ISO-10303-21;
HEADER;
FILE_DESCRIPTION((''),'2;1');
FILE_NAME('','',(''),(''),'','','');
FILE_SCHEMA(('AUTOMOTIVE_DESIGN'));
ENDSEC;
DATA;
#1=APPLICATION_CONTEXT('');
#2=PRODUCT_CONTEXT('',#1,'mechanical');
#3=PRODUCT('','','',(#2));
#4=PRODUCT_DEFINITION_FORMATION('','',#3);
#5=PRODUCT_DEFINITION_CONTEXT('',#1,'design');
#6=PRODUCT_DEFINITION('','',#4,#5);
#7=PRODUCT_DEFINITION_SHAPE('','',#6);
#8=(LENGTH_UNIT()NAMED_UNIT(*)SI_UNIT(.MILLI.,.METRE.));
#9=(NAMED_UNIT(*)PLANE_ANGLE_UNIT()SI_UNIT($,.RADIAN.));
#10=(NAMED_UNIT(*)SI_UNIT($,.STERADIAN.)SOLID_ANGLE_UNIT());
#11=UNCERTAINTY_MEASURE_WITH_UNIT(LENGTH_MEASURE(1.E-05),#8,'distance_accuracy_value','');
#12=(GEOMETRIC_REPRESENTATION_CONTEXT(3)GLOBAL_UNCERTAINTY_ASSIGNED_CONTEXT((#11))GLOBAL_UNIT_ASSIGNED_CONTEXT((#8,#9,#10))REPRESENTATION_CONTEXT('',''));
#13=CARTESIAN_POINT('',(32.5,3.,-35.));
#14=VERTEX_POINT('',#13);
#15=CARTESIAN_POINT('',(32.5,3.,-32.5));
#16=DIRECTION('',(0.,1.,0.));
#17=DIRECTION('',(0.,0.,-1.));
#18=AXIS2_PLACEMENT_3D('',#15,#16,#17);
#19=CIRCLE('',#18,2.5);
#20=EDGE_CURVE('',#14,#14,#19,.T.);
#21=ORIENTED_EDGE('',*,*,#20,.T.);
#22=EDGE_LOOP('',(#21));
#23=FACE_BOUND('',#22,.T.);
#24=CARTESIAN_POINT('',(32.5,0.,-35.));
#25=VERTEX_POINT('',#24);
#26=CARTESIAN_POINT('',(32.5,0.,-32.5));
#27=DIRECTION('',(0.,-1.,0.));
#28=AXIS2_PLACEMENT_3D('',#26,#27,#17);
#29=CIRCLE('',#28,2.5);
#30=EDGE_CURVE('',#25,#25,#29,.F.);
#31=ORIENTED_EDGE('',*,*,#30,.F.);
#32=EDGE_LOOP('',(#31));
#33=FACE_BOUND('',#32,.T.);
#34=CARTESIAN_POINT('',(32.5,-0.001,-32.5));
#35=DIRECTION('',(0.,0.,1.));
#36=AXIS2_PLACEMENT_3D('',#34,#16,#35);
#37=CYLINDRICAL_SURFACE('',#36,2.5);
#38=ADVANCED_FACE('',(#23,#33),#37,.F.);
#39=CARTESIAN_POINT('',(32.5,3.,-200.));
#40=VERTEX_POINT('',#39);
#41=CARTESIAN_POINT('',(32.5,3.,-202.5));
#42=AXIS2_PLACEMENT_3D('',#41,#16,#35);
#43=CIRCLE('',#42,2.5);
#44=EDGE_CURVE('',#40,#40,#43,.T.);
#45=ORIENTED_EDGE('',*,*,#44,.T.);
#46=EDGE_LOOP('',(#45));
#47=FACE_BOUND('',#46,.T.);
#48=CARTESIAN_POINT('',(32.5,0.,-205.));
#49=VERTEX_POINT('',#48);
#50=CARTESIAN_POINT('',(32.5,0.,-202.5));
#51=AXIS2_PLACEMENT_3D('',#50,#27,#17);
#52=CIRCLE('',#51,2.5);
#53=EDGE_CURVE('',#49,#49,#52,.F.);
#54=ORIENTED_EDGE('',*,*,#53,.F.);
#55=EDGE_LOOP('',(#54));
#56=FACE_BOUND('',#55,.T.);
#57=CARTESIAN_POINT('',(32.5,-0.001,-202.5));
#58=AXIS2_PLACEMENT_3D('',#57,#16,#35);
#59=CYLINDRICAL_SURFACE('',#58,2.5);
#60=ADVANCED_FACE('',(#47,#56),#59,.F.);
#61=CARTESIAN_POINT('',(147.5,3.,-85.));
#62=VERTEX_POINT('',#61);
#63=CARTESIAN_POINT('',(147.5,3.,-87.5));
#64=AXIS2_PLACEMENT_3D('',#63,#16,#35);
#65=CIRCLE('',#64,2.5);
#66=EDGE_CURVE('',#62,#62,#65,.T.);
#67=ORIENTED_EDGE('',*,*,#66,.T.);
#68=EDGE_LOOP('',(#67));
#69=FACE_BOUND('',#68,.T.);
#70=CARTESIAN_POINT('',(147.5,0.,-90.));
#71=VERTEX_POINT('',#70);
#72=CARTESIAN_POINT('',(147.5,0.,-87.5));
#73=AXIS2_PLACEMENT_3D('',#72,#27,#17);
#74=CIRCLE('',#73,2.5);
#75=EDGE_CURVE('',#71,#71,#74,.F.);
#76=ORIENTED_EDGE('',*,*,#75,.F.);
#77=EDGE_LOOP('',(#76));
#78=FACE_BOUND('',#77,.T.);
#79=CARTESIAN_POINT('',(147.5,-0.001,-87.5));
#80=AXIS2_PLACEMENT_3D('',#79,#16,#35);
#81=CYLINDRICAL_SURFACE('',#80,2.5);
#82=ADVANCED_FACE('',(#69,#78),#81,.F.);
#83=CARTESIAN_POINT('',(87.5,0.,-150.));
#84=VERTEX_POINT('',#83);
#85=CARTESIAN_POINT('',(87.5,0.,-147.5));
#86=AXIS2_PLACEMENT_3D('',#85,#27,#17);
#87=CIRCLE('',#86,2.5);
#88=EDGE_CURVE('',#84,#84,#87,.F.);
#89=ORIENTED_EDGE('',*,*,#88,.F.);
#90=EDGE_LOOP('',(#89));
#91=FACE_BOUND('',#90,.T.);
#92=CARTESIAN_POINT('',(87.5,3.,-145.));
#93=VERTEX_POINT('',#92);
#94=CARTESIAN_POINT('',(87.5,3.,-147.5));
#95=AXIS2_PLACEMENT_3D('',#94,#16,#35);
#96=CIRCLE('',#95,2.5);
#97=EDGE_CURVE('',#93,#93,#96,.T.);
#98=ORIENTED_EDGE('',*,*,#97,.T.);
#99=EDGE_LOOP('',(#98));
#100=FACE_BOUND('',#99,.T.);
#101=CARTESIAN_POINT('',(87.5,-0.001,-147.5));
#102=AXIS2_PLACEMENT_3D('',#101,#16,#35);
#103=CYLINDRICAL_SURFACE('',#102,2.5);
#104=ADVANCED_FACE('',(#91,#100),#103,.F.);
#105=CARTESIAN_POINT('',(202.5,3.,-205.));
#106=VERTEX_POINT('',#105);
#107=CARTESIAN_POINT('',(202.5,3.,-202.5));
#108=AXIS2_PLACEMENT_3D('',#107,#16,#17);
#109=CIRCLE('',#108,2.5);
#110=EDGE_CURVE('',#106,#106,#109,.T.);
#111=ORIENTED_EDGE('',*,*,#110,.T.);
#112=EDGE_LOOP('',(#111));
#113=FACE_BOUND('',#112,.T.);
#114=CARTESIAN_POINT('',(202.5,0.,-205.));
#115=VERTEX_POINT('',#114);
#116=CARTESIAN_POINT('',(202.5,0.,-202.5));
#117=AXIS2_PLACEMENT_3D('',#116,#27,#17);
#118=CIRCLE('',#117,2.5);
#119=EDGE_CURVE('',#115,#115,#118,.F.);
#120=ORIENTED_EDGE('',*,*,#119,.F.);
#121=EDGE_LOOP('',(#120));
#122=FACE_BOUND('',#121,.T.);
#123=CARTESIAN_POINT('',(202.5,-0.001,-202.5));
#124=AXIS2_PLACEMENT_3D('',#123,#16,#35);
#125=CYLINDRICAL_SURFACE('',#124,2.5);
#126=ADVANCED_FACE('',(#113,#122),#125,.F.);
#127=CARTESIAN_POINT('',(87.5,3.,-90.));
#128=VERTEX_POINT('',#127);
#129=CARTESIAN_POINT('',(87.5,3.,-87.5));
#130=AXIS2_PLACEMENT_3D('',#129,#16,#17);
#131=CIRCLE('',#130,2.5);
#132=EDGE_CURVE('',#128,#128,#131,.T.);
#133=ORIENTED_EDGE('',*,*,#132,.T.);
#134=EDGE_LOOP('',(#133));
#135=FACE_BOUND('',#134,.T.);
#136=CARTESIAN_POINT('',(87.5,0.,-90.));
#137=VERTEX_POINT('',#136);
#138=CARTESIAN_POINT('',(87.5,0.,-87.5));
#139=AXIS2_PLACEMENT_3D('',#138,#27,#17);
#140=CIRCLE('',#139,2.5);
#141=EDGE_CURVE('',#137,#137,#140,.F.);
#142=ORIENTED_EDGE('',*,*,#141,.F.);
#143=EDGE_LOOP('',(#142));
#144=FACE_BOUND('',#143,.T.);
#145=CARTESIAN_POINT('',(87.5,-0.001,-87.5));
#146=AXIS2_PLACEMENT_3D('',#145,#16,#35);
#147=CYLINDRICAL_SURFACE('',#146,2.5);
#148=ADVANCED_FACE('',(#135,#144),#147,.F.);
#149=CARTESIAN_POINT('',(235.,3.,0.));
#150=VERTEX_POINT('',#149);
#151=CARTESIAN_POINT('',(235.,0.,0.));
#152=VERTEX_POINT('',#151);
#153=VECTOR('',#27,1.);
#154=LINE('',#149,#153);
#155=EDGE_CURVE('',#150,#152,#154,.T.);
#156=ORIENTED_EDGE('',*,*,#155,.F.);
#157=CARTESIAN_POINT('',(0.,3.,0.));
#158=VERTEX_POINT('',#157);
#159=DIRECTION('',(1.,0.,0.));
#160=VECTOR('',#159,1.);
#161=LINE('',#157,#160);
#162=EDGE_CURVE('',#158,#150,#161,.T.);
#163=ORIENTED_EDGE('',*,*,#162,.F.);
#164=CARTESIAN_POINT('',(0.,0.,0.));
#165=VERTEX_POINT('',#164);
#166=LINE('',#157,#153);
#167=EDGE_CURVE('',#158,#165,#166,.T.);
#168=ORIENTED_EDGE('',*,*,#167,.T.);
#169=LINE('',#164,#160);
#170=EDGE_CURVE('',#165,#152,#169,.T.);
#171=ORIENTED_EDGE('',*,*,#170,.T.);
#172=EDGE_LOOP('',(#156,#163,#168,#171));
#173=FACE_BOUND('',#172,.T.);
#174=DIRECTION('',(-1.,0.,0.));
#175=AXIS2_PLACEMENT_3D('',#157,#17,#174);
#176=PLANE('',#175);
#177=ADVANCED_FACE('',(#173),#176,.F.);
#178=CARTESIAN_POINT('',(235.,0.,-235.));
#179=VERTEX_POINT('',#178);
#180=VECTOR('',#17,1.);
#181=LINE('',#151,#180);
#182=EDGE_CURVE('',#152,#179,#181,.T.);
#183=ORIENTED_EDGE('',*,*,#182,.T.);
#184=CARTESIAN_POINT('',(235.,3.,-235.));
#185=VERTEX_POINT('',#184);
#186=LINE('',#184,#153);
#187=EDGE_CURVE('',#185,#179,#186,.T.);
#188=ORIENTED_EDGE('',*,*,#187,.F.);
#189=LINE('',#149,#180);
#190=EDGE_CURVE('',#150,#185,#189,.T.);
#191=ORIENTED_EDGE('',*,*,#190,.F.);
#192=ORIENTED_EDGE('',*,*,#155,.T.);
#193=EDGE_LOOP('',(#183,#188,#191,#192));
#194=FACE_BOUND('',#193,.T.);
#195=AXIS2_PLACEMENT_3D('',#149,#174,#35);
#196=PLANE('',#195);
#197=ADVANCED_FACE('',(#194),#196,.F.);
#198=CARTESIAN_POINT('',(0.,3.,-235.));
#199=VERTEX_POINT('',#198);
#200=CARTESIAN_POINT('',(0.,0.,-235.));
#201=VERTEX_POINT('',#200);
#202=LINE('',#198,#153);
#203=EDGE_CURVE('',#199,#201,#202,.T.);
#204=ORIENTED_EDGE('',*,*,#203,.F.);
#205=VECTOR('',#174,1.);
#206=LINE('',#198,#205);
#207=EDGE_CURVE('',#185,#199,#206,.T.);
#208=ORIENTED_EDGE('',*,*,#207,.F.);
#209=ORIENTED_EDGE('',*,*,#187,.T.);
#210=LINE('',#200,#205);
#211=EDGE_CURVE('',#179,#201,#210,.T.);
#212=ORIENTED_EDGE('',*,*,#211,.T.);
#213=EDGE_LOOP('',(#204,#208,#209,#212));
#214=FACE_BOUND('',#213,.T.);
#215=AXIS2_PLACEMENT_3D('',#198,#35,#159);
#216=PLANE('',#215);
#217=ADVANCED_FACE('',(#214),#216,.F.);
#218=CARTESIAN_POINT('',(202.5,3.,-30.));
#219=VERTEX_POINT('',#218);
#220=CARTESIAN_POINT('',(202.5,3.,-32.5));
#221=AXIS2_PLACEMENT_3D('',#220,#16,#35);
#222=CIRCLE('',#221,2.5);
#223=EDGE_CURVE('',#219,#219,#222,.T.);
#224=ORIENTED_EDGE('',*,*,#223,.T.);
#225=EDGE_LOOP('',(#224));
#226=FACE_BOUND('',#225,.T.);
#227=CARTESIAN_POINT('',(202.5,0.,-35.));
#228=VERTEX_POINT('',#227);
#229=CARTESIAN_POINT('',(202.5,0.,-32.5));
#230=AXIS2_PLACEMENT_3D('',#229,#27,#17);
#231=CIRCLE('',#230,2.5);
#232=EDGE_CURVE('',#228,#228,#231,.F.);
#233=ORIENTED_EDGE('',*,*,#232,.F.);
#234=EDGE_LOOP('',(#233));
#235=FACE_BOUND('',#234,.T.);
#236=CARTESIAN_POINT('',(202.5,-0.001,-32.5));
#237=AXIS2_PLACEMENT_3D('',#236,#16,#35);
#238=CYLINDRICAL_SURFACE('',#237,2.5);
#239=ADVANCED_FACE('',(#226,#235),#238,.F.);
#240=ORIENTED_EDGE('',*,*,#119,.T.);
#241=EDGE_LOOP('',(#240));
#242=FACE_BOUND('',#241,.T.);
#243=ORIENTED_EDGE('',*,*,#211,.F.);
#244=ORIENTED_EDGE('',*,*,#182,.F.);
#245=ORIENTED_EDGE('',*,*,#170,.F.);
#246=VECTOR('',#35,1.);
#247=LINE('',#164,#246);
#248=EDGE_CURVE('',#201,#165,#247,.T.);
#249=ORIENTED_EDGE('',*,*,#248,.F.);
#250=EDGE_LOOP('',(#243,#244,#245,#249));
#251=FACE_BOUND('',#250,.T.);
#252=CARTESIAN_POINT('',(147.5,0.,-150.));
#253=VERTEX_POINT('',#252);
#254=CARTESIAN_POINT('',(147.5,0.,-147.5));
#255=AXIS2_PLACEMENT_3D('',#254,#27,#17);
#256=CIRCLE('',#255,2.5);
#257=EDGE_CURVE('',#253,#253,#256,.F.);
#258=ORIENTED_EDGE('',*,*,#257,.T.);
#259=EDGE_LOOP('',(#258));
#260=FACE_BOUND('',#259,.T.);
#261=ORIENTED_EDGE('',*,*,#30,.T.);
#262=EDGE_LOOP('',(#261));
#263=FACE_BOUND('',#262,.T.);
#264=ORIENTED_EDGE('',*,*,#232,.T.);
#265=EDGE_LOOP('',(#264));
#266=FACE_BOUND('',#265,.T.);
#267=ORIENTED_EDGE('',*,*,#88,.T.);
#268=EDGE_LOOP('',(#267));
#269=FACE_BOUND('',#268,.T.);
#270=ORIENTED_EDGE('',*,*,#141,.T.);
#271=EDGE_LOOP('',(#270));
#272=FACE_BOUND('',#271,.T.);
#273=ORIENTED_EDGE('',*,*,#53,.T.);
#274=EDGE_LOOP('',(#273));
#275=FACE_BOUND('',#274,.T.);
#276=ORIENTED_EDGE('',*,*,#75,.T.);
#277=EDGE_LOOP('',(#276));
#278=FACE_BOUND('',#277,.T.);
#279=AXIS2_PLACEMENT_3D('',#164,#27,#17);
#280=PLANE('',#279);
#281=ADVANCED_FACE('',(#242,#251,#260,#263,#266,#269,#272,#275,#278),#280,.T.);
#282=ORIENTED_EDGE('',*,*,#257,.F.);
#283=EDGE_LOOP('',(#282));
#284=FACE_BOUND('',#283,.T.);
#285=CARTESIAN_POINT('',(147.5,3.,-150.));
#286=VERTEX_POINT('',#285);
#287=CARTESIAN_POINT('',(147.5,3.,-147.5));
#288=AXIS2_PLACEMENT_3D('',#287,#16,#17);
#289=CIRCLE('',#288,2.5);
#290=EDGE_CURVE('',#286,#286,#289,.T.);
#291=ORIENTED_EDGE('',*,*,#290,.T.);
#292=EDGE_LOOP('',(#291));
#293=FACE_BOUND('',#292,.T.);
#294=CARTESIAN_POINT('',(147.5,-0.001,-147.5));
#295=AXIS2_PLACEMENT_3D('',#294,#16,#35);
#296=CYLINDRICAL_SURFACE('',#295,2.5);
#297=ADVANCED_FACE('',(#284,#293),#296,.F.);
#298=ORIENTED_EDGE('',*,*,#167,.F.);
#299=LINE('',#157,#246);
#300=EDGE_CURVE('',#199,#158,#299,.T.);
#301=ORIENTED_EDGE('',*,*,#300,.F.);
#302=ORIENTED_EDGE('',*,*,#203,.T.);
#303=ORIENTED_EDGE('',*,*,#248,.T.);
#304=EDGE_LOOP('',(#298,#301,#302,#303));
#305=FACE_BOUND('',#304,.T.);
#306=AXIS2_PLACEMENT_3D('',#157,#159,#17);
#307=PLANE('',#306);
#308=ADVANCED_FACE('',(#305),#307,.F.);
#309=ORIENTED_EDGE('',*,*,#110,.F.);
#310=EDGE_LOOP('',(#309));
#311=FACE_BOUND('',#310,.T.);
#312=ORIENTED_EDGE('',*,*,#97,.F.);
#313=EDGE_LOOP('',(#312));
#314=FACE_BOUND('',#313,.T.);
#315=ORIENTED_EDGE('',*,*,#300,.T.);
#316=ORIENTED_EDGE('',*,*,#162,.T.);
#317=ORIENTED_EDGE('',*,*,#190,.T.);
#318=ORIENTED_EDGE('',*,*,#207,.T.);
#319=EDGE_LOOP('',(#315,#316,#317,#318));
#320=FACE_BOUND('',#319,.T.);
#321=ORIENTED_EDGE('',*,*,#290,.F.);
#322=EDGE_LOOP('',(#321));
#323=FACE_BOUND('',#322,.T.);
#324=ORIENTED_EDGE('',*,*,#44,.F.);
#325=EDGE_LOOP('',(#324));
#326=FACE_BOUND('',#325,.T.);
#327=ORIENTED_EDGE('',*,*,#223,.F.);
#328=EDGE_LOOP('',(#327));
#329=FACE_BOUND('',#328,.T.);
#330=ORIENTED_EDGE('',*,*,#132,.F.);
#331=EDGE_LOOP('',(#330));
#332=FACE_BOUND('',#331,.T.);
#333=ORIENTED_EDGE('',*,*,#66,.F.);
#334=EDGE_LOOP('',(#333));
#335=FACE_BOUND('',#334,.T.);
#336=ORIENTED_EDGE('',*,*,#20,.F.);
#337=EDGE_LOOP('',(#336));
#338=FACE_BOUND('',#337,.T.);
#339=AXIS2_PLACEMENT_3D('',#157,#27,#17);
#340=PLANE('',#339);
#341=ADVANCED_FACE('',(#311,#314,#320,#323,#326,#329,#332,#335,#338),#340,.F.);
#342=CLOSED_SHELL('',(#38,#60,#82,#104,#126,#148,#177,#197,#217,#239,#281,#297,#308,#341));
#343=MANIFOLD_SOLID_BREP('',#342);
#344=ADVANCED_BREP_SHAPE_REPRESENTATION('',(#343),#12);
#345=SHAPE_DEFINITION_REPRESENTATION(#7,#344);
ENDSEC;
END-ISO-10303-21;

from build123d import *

# Parameters (mm, degrees)
SKETCH1_W           = 235
SKETCH1_H           = 235
BOSS_EXTRUDE1_DEPTH = 3
CUT_EXTRUDE1_REACH  = 5
SKETCH2_R           = 2.5


with BuildPart() as part:
    # Sketch1 → Boss-Extrude1 (new body)
    with BuildSketch(Plane(origin=(0, 0, 0), x_dir=(1, 0, 0), z_dir=(0, 1, 0))):
        with Locations((117.5, 117.5)):
            Rectangle(SKETCH1_W, SKETCH1_H)
    extrude(amount=BOSS_EXTRUDE1_DEPTH)

    # Sketch2 → Cut-Extrude1 (cut, up to next)
    with BuildSketch(Plane(origin=(0, 3, 0), x_dir=(1, 0, 0), z_dir=(0, 1, 0)), mode=Mode.PRIVATE) as cut_extrude1_sk1:
        with Locations((32.5, 202.5)):
            Circle(SKETCH2_R)
    cut_extrude1_tool1 = extrude(cut_extrude1_sk1.sketch, amount=-CUT_EXTRUDE1_REACH, mode=Mode.PRIVATE) & part.part
    add(cut_extrude1_tool1.solids().sort_by_distance((32.5, 3, -202.5))[0], mode=Mode.SUBTRACT)
    # Sketch2 → Cut-Extrude1 (cut, up to next)
    with BuildSketch(Plane(origin=(0, 3, 0), x_dir=(1, 0, 0), z_dir=(0, 1, 0)), mode=Mode.PRIVATE) as cut_extrude1_sk2:
        with Locations((202.5, 202.5)):
            Circle(SKETCH2_R)
    cut_extrude1_tool2 = extrude(cut_extrude1_sk2.sketch, amount=-CUT_EXTRUDE1_REACH, mode=Mode.PRIVATE) & part.part
    add(cut_extrude1_tool2.solids().sort_by_distance((202.5, 3, -202.5))[0], mode=Mode.SUBTRACT)
    # Sketch2 → Cut-Extrude1 (cut, up to next)
    with BuildSketch(Plane(origin=(0, 3, 0), x_dir=(1, 0, 0), z_dir=(0, 1, 0)), mode=Mode.PRIVATE) as cut_extrude1_sk3:
        with Locations((202.5, 32.5)):
            Circle(SKETCH2_R)
    cut_extrude1_tool3 = extrude(cut_extrude1_sk3.sketch, amount=-CUT_EXTRUDE1_REACH, mode=Mode.PRIVATE) & part.part
    add(cut_extrude1_tool3.solids().sort_by_distance((202.5, 3, -32.5))[0], mode=Mode.SUBTRACT)
    # Sketch2 → Cut-Extrude1 (cut, up to next)
    with BuildSketch(Plane(origin=(0, 3, 0), x_dir=(1, 0, 0), z_dir=(0, 1, 0)), mode=Mode.PRIVATE) as cut_extrude1_sk4:
        with Locations((32.5, 32.5)):
            Circle(SKETCH2_R)
    cut_extrude1_tool4 = extrude(cut_extrude1_sk4.sketch, amount=-CUT_EXTRUDE1_REACH, mode=Mode.PRIVATE) & part.part
    add(cut_extrude1_tool4.solids().sort_by_distance((32.5, 3, -32.5))[0], mode=Mode.SUBTRACT)
    # Sketch2 → Cut-Extrude1 (cut, up to next)
    with BuildSketch(Plane(origin=(0, 3, 0), x_dir=(1, 0, 0), z_dir=(0, 1, 0)), mode=Mode.PRIVATE) as cut_extrude1_sk5:
        with Locations((87.5, 147.5)):
            Circle(SKETCH2_R)
    cut_extrude1_tool5 = extrude(cut_extrude1_sk5.sketch, amount=-CUT_EXTRUDE1_REACH, mode=Mode.PRIVATE) & part.part
    add(cut_extrude1_tool5.solids().sort_by_distance((87.5, 3, -147.5))[0], mode=Mode.SUBTRACT)
    # Sketch2 → Cut-Extrude1 (cut, up to next)
    with BuildSketch(Plane(origin=(0, 3, 0), x_dir=(1, 0, 0), z_dir=(0, 1, 0)), mode=Mode.PRIVATE) as cut_extrude1_sk6:
        with Locations((147.5, 147.5)):
            Circle(SKETCH2_R)
    cut_extrude1_tool6 = extrude(cut_extrude1_sk6.sketch, amount=-CUT_EXTRUDE1_REACH, mode=Mode.PRIVATE) & part.part
    add(cut_extrude1_tool6.solids().sort_by_distance((147.5, 3, -147.5))[0], mode=Mode.SUBTRACT)
    # Sketch2 → Cut-Extrude1 (cut, up to next)
    with BuildSketch(Plane(origin=(0, 3, 0), x_dir=(1, 0, 0), z_dir=(0, 1, 0)), mode=Mode.PRIVATE) as cut_extrude1_sk7:
        with Locations((147.5, 87.5)):
            Circle(SKETCH2_R)
    cut_extrude1_tool7 = extrude(cut_extrude1_sk7.sketch, amount=-CUT_EXTRUDE1_REACH, mode=Mode.PRIVATE) & part.part
    add(cut_extrude1_tool7.solids().sort_by_distance((147.5, 3, -87.5))[0], mode=Mode.SUBTRACT)
    # Sketch2 → Cut-Extrude1 (cut, up to next)
    with BuildSketch(Plane(origin=(0, 3, 0), x_dir=(1, 0, 0), z_dir=(0, 1, 0)), mode=Mode.PRIVATE) as cut_extrude1_sk8:
        with Locations((87.5, 87.5)):
            Circle(SKETCH2_R)
    cut_extrude1_tool8 = extrude(cut_extrude1_sk8.sketch, amount=-CUT_EXTRUDE1_REACH, mode=Mode.PRIVATE) & part.part
    add(cut_extrude1_tool8.solids().sort_by_distance((87.5, 3, -87.5))[0], mode=Mode.SUBTRACT)


solid = part.part
